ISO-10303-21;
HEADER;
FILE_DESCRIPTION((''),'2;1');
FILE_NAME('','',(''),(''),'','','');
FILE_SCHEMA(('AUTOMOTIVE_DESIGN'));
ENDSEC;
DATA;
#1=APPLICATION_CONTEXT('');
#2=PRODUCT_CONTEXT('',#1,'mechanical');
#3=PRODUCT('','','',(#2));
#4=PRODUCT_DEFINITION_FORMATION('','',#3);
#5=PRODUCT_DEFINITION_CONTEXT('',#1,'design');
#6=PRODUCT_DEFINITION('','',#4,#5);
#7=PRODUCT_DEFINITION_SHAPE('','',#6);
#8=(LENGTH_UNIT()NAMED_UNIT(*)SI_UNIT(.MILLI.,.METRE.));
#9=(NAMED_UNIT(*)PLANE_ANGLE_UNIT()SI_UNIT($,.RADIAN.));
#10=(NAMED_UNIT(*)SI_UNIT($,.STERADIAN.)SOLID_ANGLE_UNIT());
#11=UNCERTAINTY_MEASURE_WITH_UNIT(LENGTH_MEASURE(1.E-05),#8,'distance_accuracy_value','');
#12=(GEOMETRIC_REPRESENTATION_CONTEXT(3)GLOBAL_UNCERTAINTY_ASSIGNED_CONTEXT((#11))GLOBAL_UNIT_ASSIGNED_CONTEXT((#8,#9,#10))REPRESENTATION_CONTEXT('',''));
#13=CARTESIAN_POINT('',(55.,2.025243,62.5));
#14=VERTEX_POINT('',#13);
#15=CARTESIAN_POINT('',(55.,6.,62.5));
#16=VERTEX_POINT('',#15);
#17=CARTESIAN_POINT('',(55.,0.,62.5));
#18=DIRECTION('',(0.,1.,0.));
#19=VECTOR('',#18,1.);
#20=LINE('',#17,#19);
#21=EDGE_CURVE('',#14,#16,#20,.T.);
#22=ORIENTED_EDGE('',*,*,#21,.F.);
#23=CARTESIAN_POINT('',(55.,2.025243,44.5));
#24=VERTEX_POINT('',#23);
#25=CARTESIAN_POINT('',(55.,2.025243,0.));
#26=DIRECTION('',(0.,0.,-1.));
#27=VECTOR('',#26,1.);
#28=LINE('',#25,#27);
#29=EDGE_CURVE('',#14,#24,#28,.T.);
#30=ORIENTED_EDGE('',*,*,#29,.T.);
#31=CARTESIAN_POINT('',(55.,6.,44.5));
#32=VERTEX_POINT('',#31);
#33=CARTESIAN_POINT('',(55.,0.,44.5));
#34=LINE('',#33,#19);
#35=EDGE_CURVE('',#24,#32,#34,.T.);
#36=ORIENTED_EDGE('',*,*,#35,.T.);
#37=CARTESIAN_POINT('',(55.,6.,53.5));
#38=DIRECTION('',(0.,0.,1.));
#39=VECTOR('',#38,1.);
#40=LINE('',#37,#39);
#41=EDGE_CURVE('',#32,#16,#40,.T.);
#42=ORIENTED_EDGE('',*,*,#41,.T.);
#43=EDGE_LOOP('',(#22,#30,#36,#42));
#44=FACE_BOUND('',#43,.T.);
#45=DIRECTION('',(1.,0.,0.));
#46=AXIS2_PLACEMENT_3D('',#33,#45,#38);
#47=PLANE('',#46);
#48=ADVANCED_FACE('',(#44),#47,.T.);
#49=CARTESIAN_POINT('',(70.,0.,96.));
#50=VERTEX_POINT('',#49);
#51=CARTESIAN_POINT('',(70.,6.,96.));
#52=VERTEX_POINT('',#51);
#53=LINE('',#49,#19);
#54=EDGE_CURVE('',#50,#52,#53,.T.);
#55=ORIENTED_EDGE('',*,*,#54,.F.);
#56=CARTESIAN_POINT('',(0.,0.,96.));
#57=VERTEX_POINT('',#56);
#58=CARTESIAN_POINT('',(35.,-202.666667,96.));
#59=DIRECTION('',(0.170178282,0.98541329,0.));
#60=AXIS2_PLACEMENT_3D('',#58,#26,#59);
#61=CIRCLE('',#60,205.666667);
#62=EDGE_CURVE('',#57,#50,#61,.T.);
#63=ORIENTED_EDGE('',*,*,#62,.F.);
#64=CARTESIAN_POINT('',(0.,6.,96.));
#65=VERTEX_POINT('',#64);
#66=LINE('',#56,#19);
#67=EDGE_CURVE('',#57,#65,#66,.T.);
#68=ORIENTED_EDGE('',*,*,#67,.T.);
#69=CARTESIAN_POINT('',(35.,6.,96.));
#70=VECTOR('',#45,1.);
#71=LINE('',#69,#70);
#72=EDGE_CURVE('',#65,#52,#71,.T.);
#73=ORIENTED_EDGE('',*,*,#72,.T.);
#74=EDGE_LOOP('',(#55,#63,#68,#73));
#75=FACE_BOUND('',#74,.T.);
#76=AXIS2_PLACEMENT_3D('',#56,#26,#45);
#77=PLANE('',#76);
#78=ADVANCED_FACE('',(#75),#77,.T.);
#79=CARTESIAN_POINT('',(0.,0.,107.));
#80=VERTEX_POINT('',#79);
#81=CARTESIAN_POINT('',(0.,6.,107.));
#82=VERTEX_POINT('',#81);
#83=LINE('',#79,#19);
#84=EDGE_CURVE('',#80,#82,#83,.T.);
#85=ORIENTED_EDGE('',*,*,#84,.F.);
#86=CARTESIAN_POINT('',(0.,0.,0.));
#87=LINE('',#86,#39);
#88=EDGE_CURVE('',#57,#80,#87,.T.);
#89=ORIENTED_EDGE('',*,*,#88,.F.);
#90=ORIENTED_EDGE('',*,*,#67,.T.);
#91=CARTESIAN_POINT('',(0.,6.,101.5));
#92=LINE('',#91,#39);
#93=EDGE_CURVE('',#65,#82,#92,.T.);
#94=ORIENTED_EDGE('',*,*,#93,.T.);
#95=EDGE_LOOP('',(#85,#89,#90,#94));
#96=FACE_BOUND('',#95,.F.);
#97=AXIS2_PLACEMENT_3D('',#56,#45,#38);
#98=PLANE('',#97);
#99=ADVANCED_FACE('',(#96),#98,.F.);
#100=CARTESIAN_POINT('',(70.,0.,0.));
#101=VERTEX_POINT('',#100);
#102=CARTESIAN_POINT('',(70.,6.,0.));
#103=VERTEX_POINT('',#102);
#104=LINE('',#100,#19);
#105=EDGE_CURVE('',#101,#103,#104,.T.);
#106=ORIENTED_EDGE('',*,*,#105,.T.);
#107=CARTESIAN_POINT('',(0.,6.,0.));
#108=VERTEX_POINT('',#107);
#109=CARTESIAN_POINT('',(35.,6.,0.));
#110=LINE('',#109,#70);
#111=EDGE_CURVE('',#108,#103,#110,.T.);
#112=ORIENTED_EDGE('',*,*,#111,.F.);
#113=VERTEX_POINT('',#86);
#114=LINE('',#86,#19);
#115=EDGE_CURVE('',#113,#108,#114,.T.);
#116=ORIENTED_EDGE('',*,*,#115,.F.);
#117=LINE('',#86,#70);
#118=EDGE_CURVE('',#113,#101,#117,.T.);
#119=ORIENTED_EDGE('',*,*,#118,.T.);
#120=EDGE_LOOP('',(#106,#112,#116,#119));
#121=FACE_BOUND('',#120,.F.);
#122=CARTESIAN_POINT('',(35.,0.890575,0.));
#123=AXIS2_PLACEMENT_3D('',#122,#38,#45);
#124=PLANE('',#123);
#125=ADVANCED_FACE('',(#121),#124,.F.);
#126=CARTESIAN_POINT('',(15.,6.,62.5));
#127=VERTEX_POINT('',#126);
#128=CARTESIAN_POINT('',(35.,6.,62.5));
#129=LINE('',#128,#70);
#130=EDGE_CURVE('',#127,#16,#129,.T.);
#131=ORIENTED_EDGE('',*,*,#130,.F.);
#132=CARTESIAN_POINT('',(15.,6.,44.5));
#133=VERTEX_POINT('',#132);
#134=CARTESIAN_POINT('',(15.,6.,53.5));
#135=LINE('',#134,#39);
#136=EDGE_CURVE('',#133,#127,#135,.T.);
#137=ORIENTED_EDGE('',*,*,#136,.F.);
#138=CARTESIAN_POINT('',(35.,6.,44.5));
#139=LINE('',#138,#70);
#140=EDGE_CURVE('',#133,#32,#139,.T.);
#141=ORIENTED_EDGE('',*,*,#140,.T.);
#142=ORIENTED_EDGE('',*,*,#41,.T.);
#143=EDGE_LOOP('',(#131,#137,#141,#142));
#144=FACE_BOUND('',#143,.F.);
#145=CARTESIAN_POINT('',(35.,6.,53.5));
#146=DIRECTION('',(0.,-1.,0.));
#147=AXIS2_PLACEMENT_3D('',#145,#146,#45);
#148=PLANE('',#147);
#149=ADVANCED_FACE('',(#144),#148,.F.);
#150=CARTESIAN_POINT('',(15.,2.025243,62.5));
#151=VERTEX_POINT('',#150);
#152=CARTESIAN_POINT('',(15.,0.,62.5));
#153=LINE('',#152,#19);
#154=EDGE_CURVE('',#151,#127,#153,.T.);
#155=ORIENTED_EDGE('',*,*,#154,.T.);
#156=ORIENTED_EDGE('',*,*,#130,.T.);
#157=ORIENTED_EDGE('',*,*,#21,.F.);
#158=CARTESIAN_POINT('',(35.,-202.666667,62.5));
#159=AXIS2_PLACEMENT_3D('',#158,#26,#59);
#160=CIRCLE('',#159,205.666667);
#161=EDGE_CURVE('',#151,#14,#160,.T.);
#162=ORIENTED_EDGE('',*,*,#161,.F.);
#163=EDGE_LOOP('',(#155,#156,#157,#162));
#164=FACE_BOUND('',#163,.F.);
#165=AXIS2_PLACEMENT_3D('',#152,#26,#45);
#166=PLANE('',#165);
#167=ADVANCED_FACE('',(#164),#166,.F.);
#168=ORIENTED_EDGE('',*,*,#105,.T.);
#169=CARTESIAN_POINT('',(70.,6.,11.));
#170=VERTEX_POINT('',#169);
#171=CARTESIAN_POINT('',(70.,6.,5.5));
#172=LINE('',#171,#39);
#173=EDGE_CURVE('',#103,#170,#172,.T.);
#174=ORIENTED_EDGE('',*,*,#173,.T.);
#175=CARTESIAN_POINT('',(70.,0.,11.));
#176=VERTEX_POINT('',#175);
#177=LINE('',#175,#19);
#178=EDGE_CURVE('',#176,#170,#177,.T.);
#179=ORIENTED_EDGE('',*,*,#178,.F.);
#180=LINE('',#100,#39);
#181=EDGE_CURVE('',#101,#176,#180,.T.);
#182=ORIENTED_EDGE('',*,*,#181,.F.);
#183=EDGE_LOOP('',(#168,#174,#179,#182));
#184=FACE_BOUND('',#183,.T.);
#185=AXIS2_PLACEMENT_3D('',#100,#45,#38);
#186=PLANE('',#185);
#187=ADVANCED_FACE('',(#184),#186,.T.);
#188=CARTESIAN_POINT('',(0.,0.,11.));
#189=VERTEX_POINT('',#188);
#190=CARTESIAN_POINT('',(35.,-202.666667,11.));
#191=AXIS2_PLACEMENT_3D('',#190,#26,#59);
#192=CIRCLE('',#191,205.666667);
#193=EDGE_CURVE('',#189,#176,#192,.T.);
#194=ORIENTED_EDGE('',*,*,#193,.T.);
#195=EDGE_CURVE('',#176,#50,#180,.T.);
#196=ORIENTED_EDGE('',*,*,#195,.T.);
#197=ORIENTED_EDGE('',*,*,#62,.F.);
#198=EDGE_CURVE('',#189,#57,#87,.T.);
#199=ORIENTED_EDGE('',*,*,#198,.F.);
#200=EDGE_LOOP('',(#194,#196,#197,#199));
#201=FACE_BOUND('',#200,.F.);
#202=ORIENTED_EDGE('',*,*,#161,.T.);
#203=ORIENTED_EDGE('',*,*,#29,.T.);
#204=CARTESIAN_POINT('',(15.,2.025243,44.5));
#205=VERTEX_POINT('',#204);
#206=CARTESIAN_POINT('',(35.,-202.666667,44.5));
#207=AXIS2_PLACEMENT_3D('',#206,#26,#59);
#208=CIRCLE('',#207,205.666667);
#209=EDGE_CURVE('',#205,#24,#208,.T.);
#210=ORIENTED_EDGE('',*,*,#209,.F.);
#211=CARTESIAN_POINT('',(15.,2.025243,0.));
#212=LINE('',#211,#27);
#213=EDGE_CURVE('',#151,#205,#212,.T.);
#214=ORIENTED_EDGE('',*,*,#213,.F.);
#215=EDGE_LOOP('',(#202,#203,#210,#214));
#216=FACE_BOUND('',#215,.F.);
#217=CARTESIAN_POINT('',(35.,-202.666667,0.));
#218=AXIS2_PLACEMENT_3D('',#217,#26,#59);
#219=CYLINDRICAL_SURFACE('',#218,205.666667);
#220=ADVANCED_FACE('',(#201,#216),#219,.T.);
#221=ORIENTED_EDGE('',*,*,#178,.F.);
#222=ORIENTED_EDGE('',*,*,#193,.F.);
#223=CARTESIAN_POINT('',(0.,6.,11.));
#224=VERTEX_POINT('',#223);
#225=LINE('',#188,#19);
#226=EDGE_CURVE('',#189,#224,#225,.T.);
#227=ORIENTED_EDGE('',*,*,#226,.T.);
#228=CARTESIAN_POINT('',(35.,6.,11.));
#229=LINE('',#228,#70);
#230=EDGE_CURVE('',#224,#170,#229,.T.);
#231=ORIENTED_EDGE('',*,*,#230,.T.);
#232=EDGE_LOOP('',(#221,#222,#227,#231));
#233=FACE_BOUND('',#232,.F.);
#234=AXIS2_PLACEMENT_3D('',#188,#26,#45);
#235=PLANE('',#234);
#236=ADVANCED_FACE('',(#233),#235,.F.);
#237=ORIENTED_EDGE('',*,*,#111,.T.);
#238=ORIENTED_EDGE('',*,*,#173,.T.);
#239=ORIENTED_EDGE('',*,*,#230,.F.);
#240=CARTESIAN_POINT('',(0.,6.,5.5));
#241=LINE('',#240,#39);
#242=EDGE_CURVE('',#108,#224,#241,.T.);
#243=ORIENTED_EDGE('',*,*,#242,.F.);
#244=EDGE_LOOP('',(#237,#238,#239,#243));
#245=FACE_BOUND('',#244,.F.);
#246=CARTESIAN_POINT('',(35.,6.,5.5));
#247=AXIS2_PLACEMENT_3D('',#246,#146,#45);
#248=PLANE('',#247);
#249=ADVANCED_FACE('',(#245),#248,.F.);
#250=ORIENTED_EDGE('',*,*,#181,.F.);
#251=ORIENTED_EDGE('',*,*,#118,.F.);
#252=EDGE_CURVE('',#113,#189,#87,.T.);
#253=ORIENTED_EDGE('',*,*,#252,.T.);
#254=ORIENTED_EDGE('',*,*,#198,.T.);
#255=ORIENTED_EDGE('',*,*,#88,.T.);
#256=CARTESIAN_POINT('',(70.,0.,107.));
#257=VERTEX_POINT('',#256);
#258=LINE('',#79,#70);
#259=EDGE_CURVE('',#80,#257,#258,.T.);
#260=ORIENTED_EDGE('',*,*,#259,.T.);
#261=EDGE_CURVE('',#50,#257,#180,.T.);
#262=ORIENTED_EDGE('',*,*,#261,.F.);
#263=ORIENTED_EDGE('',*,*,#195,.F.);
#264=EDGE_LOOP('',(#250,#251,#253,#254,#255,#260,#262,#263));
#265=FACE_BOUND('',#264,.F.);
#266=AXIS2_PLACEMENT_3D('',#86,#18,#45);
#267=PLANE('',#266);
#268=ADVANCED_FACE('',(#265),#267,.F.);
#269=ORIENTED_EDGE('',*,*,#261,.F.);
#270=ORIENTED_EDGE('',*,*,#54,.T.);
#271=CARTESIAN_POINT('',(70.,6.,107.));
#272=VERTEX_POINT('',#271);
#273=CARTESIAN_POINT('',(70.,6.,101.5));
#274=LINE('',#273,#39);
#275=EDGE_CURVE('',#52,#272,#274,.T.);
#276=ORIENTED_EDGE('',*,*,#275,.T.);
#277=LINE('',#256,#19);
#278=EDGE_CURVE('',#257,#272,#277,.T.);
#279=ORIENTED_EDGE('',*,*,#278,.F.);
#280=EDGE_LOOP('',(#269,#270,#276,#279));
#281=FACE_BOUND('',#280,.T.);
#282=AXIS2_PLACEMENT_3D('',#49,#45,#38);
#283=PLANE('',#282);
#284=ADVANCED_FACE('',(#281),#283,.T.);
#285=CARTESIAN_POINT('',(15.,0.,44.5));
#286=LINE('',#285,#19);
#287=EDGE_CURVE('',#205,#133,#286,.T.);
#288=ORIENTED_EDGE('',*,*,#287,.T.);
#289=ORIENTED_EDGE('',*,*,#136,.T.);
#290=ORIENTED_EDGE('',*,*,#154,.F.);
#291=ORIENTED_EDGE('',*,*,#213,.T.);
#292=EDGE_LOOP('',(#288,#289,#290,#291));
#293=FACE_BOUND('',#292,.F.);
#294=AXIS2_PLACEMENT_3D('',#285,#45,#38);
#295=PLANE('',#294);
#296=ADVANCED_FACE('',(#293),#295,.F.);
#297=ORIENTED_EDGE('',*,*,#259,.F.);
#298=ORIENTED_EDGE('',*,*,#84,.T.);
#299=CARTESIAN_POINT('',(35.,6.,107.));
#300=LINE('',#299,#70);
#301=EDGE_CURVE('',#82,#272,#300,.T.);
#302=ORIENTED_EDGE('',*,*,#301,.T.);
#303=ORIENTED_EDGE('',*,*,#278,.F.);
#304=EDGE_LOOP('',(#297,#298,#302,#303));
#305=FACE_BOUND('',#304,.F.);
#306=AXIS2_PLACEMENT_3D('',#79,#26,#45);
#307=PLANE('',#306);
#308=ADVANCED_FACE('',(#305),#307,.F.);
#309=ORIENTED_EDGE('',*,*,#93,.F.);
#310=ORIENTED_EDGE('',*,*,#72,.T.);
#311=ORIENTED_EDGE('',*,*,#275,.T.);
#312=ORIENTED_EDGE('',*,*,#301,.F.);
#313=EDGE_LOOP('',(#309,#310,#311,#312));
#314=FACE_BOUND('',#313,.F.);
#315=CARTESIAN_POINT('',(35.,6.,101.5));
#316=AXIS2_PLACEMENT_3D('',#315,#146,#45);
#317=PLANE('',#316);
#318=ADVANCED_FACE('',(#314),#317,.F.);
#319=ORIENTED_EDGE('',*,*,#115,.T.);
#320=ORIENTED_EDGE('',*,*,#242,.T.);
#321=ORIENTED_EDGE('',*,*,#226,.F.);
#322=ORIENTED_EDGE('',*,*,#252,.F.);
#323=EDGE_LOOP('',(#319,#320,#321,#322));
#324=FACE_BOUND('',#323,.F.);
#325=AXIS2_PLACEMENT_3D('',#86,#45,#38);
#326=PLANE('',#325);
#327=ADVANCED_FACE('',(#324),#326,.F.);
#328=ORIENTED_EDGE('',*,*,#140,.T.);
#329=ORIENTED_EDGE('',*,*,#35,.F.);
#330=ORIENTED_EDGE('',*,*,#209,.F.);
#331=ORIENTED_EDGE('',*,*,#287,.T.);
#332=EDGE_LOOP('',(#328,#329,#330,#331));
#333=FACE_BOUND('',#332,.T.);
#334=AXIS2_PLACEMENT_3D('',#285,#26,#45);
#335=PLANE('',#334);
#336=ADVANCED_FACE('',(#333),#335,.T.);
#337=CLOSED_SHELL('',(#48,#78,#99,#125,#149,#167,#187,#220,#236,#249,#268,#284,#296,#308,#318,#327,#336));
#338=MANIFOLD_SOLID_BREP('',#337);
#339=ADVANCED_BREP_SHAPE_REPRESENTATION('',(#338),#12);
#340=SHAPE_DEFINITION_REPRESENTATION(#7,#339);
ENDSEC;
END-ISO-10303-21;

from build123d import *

# Parameters (mm, degrees)
F1_DEPTH = 107
F2_W     = 70
F2_H     = 11
F2_W_2   = 40
F2_H_2   = 18
F3_DEPTH = 6


with BuildPart() as f1:
    # F0 (on Top) → F1 (new body)
    with BuildSketch(Plane.XY):
        with BuildLine():
            Line((0, 0), (70, 0))
            ThreePointArc((70, 0), (35, 3), (0, 0))
        make_face()
    extrude(amount=F1_DEPTH)

    # F2 (on face) → F3 (join)
    with BuildSketch(Plane.XZ):
        with Locations((35, 101.5)):
            Rectangle(F2_W, F2_H)
        with Locations((35, 53.5)):
            Rectangle(F2_W_2, F2_H_2)
        with Locations((35, 5.5)):
            Rectangle(F2_W, F2_H)
    extrude(amount=-F3_DEPTH)


solid = f1.part
